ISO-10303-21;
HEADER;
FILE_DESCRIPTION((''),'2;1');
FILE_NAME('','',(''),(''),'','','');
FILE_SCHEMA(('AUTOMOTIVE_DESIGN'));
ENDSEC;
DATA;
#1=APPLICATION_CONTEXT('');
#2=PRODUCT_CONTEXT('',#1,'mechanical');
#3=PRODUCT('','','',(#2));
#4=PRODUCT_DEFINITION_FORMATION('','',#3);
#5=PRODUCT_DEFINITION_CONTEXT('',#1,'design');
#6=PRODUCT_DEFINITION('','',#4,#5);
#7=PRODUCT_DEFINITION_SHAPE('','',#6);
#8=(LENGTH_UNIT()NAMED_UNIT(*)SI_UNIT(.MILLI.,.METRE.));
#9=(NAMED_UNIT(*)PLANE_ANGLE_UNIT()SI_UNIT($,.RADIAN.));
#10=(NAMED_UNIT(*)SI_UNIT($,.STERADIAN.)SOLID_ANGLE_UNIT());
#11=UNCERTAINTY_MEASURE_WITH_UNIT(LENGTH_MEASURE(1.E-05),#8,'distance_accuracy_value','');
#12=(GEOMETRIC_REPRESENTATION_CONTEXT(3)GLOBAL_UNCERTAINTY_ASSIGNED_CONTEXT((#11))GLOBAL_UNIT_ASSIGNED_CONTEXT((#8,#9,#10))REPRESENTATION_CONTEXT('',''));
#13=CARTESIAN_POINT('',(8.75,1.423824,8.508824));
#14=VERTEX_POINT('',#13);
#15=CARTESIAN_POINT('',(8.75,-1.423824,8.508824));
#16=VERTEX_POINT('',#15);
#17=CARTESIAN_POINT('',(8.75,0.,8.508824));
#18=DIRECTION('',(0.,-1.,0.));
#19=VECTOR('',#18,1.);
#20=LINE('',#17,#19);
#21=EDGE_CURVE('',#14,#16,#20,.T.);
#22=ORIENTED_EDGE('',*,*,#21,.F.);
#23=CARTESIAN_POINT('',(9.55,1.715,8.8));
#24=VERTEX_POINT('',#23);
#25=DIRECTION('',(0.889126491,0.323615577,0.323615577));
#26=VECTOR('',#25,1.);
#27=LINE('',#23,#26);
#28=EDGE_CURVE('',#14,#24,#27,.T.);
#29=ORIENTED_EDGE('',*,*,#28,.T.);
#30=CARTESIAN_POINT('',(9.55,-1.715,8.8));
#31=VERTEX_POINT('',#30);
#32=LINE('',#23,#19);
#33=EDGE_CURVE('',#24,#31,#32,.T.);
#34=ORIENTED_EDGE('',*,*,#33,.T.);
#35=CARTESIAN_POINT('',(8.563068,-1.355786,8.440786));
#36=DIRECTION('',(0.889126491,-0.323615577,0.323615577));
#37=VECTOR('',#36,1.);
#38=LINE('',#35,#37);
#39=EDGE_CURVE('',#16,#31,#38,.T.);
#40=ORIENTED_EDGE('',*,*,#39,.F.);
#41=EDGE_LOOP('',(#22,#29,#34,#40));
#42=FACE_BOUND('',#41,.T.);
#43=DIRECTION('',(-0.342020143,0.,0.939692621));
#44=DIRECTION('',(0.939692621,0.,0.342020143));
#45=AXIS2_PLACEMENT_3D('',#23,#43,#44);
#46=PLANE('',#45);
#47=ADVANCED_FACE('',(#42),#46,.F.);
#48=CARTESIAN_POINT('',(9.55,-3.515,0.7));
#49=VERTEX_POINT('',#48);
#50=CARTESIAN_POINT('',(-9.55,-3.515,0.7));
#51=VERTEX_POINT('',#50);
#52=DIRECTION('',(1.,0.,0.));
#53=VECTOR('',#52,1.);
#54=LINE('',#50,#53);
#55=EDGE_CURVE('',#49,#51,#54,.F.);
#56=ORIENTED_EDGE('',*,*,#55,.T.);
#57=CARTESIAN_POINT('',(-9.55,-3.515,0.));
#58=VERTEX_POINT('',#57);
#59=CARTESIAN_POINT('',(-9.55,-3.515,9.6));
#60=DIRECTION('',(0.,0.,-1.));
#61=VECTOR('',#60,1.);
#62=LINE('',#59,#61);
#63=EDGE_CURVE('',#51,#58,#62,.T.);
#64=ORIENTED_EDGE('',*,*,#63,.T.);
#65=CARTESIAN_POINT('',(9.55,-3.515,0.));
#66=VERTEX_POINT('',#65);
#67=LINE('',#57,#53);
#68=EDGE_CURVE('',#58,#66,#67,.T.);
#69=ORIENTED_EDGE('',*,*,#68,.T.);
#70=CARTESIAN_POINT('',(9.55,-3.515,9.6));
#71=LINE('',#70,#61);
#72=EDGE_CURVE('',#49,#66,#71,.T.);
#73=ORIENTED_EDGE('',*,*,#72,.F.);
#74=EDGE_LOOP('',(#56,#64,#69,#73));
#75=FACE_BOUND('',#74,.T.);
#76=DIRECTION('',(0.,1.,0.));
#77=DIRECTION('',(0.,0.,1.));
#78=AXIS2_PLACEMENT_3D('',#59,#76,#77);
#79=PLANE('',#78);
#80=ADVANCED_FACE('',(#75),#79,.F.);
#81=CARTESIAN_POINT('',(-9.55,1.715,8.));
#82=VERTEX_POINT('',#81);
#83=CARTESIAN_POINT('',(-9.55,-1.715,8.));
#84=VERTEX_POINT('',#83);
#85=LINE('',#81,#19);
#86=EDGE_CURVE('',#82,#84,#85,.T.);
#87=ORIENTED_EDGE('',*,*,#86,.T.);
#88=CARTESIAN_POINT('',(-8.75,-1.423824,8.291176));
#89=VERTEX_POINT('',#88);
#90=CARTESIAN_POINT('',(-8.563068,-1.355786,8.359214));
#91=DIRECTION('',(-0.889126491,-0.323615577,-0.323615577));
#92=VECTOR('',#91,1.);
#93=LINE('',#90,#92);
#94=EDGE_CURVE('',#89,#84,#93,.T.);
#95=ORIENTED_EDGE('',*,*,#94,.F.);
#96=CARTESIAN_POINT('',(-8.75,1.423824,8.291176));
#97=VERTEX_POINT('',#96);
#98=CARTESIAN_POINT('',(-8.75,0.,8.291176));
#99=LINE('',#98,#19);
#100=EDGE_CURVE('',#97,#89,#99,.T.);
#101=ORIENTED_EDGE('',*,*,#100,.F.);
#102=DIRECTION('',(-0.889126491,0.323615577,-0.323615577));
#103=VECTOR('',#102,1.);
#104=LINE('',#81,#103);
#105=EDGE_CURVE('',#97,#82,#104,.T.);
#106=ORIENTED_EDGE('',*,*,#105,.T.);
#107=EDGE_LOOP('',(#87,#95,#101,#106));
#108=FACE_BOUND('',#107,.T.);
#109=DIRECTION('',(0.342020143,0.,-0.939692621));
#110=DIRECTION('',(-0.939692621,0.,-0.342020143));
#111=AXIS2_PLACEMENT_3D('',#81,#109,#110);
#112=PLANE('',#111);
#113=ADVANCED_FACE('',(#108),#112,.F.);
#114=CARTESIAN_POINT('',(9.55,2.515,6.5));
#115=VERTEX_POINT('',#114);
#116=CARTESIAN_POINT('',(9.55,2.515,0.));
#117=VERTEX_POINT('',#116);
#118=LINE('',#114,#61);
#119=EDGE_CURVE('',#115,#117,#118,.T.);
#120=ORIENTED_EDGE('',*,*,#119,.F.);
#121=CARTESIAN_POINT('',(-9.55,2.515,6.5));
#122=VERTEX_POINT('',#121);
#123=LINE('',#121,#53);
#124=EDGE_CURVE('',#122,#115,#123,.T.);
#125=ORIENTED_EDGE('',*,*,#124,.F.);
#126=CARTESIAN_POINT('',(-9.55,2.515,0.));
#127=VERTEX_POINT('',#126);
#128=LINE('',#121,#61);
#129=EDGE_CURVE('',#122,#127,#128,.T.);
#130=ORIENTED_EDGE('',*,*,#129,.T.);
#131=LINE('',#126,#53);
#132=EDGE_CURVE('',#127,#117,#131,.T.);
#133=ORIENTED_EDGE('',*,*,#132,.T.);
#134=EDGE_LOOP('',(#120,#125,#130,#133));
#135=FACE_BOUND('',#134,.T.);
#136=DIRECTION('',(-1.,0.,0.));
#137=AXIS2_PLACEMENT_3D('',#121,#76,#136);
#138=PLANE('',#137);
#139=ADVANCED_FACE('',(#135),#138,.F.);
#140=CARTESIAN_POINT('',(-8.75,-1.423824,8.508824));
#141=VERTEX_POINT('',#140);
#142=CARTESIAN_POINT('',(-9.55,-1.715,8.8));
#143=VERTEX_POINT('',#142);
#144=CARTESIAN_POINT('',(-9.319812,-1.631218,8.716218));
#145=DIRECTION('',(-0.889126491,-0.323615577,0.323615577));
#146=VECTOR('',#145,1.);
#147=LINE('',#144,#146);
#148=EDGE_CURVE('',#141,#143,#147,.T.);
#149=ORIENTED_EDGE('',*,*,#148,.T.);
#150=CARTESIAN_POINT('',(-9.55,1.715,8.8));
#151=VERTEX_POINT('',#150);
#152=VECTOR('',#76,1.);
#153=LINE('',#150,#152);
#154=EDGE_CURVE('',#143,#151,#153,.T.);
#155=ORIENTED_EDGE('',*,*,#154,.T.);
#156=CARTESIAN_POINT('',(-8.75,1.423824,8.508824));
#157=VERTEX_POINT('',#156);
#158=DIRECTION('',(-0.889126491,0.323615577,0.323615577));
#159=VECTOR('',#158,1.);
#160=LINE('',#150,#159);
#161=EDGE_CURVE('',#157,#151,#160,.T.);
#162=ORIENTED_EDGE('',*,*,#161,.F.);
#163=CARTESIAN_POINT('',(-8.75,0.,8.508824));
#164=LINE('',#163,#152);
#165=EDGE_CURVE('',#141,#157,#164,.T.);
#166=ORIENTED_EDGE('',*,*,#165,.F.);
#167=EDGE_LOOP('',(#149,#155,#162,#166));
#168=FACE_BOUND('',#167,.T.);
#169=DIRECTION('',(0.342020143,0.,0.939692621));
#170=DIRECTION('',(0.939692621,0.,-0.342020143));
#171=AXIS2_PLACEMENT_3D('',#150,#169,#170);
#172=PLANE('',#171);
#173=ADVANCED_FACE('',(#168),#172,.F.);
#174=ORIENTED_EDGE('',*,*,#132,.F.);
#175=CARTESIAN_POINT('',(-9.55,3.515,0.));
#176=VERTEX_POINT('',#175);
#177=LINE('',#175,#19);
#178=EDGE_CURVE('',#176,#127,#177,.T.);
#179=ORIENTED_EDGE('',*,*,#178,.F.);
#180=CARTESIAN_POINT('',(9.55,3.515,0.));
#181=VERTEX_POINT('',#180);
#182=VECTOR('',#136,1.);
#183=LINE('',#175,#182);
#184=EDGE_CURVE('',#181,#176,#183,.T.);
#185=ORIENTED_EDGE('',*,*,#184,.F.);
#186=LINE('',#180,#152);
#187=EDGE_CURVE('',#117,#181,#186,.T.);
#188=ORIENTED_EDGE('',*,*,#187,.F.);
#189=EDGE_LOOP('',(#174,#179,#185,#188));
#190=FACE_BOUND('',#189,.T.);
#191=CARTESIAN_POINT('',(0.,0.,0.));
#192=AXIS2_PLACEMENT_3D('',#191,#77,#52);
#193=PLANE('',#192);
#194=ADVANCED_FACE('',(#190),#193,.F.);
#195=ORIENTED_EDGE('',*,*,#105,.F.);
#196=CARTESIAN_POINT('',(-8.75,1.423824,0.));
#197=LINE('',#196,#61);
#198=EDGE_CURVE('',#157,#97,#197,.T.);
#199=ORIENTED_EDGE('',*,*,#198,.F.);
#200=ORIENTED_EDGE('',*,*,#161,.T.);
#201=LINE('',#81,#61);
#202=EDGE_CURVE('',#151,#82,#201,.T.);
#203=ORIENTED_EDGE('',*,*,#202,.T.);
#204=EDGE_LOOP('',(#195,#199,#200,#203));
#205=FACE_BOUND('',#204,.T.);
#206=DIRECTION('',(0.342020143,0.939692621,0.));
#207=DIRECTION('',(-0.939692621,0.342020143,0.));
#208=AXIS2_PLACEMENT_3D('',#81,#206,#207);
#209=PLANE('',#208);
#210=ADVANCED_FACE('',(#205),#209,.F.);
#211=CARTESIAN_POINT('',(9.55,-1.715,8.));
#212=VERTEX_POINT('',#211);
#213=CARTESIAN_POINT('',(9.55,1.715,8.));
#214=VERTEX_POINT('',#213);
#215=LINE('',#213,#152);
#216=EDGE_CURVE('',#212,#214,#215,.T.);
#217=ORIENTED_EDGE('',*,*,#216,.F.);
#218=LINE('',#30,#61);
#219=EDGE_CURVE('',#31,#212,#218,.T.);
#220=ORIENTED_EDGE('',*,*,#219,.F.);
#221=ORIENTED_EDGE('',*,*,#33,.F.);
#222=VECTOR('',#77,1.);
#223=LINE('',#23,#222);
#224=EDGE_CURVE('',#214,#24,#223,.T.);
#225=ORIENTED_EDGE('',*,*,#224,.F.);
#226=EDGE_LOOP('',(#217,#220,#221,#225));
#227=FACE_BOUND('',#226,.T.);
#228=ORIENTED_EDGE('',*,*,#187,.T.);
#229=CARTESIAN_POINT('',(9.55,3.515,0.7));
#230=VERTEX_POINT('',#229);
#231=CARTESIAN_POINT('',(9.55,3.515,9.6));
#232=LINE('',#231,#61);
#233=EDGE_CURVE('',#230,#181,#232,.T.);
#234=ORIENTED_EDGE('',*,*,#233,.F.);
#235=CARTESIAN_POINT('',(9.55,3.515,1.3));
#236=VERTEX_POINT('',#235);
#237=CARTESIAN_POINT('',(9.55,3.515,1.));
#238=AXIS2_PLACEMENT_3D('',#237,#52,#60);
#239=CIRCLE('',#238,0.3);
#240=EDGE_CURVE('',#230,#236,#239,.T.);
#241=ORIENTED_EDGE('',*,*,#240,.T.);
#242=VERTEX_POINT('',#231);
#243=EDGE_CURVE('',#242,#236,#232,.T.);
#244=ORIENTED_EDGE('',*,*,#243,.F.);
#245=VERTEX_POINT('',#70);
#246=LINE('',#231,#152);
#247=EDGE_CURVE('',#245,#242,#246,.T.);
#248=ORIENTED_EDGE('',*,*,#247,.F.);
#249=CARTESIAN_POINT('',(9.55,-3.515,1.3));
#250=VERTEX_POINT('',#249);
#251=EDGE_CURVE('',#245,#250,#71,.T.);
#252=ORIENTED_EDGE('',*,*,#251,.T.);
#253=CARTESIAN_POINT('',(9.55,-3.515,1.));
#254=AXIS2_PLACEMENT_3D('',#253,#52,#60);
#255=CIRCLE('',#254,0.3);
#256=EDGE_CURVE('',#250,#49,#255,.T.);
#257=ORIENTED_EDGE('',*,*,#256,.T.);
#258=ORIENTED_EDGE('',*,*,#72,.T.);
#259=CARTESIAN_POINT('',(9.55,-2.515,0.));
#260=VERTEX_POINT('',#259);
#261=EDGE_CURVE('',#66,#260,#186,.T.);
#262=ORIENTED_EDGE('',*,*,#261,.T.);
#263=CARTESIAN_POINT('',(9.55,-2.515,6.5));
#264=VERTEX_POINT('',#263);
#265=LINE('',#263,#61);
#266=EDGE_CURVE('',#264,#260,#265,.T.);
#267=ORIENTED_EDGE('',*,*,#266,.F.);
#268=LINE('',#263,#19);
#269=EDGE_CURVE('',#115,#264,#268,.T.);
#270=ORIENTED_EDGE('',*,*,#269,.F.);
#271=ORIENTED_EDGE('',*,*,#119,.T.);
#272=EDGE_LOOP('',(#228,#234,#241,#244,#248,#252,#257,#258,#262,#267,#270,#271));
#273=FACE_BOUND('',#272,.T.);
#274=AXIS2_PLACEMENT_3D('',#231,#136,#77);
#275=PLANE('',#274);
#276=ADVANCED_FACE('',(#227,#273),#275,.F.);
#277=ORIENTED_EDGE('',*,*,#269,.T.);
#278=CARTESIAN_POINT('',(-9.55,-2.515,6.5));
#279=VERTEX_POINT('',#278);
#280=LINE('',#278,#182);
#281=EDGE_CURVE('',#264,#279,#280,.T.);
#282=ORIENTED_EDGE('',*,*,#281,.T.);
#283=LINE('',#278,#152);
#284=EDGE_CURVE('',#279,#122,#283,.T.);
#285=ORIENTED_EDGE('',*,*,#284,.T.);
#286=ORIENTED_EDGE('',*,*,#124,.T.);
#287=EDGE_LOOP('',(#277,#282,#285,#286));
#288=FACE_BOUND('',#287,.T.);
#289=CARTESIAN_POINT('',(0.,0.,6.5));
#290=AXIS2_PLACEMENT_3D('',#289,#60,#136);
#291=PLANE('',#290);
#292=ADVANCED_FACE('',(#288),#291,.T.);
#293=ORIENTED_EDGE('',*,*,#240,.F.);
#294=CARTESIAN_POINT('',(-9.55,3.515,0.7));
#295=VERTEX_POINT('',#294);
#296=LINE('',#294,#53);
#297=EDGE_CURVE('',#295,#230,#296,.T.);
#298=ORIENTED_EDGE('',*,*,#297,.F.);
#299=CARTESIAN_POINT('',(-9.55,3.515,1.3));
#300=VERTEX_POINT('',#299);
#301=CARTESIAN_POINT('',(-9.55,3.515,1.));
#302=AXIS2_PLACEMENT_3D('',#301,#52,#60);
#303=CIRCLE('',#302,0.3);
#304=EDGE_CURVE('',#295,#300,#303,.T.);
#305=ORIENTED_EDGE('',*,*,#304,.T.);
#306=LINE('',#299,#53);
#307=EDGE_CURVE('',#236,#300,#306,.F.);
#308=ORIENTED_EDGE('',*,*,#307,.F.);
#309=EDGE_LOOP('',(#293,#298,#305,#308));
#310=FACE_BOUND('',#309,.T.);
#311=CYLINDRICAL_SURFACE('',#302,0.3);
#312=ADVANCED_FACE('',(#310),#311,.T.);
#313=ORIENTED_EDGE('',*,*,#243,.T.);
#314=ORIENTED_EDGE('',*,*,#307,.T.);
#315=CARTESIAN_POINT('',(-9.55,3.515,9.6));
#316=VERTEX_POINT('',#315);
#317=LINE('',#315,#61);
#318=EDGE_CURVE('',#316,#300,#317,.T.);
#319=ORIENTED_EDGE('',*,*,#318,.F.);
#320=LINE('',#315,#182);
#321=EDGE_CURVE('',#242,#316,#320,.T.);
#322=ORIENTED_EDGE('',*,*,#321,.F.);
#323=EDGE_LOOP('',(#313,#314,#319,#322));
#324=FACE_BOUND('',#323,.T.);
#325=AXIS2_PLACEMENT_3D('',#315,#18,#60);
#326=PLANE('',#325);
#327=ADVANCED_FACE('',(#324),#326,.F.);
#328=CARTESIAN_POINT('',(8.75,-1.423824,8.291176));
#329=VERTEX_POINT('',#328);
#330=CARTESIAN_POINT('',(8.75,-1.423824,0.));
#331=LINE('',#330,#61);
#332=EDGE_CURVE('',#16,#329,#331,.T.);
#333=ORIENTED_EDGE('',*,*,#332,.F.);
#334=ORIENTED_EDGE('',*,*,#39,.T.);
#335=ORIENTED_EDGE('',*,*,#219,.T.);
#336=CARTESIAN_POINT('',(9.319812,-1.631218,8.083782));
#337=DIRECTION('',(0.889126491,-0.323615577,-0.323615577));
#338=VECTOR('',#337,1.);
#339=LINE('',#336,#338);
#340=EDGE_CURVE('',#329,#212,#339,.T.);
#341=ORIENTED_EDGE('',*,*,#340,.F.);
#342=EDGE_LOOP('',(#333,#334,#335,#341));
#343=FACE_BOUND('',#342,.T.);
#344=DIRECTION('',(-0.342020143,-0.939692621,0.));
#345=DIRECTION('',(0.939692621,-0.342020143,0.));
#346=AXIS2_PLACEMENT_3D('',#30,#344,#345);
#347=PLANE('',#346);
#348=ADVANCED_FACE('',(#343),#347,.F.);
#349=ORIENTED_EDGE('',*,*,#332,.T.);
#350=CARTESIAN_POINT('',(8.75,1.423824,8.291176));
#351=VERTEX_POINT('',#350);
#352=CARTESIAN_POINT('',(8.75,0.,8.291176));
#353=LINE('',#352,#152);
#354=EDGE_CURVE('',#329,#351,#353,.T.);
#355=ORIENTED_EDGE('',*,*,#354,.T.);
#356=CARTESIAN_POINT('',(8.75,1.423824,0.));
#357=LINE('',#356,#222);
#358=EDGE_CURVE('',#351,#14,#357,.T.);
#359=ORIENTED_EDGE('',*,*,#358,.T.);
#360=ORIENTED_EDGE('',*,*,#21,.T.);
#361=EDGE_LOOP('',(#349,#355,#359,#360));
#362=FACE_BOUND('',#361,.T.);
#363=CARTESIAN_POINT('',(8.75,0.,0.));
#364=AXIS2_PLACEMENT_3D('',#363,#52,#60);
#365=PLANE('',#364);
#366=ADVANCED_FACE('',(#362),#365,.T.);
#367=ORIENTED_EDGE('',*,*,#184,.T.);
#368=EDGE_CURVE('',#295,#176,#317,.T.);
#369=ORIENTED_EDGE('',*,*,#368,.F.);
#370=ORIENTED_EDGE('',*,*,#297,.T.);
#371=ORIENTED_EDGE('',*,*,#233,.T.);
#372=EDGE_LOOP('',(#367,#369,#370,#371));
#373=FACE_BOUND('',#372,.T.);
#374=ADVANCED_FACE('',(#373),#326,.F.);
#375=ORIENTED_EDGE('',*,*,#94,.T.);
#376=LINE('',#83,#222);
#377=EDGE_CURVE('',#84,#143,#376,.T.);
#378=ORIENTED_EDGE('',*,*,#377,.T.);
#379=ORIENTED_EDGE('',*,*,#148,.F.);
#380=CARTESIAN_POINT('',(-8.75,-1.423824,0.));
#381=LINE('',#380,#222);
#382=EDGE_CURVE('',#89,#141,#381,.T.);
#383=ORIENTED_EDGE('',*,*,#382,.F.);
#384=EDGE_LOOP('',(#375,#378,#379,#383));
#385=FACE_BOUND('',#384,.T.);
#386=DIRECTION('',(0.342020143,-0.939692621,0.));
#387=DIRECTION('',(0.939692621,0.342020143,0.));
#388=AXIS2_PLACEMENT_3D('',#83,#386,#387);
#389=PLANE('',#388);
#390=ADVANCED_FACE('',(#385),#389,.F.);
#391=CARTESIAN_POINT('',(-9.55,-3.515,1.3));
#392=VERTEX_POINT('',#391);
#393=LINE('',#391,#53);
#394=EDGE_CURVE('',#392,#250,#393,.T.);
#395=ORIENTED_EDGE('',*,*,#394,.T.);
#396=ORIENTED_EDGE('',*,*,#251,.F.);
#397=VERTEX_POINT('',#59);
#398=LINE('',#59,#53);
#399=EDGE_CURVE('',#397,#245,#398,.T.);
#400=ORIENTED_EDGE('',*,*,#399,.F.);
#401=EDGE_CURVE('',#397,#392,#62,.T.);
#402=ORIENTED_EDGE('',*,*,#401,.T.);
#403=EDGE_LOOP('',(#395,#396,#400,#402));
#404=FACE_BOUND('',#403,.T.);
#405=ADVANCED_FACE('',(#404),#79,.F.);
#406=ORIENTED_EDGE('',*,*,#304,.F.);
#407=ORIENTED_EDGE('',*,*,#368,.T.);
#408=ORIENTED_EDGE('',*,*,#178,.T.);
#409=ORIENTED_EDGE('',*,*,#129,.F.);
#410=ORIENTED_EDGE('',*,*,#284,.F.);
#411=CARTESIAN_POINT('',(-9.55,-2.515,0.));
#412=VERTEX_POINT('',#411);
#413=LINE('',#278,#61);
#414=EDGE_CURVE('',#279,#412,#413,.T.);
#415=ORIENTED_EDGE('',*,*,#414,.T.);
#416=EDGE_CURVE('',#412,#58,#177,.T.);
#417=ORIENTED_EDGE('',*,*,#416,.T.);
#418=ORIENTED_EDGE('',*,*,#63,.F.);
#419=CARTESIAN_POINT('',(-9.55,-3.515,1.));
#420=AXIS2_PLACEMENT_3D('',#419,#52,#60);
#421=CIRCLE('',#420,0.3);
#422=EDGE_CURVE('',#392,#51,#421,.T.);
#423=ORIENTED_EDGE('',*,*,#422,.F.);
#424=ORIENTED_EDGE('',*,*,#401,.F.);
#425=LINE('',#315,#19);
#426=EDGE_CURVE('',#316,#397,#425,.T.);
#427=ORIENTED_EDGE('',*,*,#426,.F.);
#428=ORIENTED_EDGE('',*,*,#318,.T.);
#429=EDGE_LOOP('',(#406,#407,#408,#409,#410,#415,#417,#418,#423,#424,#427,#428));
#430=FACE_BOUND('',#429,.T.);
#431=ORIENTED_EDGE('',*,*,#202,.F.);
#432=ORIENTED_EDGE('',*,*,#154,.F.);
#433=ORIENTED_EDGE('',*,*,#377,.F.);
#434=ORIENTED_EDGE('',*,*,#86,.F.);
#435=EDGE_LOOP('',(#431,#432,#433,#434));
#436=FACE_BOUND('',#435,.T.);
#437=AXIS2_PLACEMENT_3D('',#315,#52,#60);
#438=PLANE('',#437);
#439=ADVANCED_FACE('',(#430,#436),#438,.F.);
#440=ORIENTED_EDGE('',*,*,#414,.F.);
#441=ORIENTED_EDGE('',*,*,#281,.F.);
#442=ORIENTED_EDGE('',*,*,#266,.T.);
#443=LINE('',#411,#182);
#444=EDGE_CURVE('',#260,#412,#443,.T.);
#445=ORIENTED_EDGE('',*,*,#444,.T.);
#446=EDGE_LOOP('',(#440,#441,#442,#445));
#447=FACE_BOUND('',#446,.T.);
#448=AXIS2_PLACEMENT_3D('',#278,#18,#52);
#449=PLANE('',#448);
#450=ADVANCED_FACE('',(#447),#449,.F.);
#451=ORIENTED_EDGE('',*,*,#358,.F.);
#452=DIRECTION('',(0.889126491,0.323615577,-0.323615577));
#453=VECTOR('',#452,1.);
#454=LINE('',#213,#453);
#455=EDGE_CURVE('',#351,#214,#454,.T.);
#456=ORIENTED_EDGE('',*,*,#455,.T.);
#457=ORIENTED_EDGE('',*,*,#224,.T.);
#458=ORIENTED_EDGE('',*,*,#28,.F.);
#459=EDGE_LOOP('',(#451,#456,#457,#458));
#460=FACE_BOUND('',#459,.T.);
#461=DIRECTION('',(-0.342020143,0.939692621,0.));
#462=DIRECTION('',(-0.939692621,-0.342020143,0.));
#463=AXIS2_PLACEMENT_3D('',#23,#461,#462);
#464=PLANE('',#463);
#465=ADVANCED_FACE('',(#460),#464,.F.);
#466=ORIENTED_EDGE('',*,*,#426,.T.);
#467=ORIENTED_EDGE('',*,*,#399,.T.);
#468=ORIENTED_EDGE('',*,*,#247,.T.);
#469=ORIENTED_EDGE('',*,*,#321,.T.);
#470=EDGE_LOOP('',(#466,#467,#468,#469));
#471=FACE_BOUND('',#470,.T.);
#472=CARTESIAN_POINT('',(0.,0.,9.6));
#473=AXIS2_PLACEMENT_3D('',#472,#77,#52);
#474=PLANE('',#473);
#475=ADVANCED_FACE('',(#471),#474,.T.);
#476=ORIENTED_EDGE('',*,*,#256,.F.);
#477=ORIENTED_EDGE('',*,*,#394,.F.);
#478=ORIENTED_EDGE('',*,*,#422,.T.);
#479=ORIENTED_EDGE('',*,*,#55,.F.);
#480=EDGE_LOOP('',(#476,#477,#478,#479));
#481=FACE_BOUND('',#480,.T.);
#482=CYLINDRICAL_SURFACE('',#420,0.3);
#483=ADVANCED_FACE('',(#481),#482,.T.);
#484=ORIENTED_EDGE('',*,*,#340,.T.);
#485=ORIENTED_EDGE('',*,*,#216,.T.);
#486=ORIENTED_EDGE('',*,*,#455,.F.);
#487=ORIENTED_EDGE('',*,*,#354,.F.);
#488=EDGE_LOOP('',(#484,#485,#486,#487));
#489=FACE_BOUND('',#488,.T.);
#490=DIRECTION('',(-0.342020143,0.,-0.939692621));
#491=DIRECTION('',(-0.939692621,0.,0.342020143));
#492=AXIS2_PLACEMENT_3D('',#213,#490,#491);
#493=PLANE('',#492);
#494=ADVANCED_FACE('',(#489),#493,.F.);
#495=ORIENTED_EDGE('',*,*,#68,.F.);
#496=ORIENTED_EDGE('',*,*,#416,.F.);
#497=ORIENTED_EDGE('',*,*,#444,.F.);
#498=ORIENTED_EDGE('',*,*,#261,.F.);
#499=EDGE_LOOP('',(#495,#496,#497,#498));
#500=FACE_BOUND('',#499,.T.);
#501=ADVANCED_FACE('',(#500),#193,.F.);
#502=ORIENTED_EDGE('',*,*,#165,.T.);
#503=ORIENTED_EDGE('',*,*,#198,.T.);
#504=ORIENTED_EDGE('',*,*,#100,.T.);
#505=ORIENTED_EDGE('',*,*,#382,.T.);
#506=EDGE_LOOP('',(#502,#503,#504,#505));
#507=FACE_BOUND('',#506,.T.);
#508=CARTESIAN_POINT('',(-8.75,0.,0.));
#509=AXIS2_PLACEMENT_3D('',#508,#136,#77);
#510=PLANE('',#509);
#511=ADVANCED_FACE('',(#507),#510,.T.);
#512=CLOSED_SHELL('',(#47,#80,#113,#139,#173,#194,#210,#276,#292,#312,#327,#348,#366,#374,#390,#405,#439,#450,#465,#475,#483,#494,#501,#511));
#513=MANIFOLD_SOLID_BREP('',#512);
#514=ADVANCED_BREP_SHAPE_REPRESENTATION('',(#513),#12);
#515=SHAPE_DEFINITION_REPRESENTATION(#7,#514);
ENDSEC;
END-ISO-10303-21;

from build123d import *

# Parameters (mm, degrees)
SKETCH_3_W          = 19.1
SKETCH_3_H          = 7.03
EXTRUDE_2_DEPTH     = 9.6
SKETCH_7_W          = 19.1
SKETCH_7_H          = 5.03
CUT_EXTRUDE_2_DEPTH = 6.5
SKETCH_8_R          = 0.3
EXTRUDE_4_DEPTH     = 19.1
SKETCH_11_W         = 0.8
SKETCH_11_H         = 3.43
CUT_EXTRUDE_4_DEPTH = 0.8
CUT_EXTRUDE_4_DRAFT = -20
SKETCH_12_W         = 0.8
SKETCH_12_H         = 3.43
CUT_EXTRUDE_5_DEPTH = 0.8
CUT_EXTRUDE_5_DRAFT = -20


with BuildPart() as part:
    # Эскиз3 → Бобышка-Вытянуть2 (new body)
    with BuildSketch(Plane.XY):
        Rectangle(SKETCH_3_W, SKETCH_3_H)
    extrude(amount=EXTRUDE_2_DEPTH)

    # Эскиз7 → Вырез-Вытянуть2 (cut)
    with BuildSketch(Plane(origin=(0, 0, 0), x_dir=(-1, 0, 0), z_dir=(0, 0, -1))):
        Rectangle(SKETCH_7_W, SKETCH_7_H)
    extrude(amount=-CUT_EXTRUDE_2_DEPTH, mode=Mode.SUBTRACT)

    # Эскиз8 → Бобышка-Вытянуть4 (add)
    with BuildSketch(Plane(origin=(9.55, 0, 0), x_dir=(0, 0, -1), z_dir=(1, 0, 0))):
        with Locations((-1, -3.515)):
            Circle(SKETCH_8_R)
        with Locations((-1, 3.515)):
            Circle(SKETCH_8_R)
    extrude(amount=-EXTRUDE_4_DEPTH)


with BuildPart() as cut_extrude_4_tool:
    # Эскиз11 → Вырез-Вытянуть4 (with draft: the straight prism first)
    with BuildSketch(Plane(origin=(9.55, 0, 0), x_dir=(0, 0, -1), z_dir=(1, 0, 0))):
        with Locations((-8.4, 0)):
            Rectangle(SKETCH_11_W, SKETCH_11_H)
    extrude(amount=-CUT_EXTRUDE_4_DEPTH)
    # Вырез-Вытянуть4: the draft: its side faces are tilted about the plane it starts from
    cut_extrude_4_sides = [cut_extrude_4_tool.faces().sort_by_distance(p)[0] for p in [
        (9.15, 0, 8.8),
        (9.15, -1.715, 8.4),
        (9.15, 0, 8),
        (9.15, 1.715, 8.4),
    ]]
    draft(cut_extrude_4_sides, Plane(origin=(9.55, 0, 0), x_dir=(0, 0, -1), z_dir=(1, 0, 0)), CUT_EXTRUDE_4_DRAFT)


with BuildPart() as part_1:
    add(part.part)

    # Вырез-Вытянуть4: cut by cut_extrude_4_tool
    add(cut_extrude_4_tool.part, mode=Mode.SUBTRACT)


with BuildPart() as cut_extrude_5_tool:
    # Эскиз12 → Вырез-Вытянуть5 (with draft: the straight prism first)
    with BuildSketch(Plane.ZY.offset(9.55)):
        with Locations((8.4, 0)):
            Rectangle(SKETCH_12_W, SKETCH_12_H)
    extrude(amount=-CUT_EXTRUDE_5_DEPTH)
    # Вырез-Вытянуть5: the draft: its side faces are tilted about the plane it starts from
    cut_extrude_5_sides = [cut_extrude_5_tool.faces().sort_by_distance(p)[0] for p in [
        (-9.15, 0, 8),
        (-9.15, -1.715, 8.4),
        (-9.15, 0, 8.8),
        (-9.15, 1.715, 8.4),
    ]]
    draft(cut_extrude_5_sides, Plane.ZY.offset(9.55), CUT_EXTRUDE_5_DRAFT)


with BuildPart() as part_2:
    add(part_1.part)

    # Вырез-Вытянуть5: cut by cut_extrude_5_tool
    add(cut_extrude_5_tool.part, mode=Mode.SUBTRACT)


solid = part_2.part
